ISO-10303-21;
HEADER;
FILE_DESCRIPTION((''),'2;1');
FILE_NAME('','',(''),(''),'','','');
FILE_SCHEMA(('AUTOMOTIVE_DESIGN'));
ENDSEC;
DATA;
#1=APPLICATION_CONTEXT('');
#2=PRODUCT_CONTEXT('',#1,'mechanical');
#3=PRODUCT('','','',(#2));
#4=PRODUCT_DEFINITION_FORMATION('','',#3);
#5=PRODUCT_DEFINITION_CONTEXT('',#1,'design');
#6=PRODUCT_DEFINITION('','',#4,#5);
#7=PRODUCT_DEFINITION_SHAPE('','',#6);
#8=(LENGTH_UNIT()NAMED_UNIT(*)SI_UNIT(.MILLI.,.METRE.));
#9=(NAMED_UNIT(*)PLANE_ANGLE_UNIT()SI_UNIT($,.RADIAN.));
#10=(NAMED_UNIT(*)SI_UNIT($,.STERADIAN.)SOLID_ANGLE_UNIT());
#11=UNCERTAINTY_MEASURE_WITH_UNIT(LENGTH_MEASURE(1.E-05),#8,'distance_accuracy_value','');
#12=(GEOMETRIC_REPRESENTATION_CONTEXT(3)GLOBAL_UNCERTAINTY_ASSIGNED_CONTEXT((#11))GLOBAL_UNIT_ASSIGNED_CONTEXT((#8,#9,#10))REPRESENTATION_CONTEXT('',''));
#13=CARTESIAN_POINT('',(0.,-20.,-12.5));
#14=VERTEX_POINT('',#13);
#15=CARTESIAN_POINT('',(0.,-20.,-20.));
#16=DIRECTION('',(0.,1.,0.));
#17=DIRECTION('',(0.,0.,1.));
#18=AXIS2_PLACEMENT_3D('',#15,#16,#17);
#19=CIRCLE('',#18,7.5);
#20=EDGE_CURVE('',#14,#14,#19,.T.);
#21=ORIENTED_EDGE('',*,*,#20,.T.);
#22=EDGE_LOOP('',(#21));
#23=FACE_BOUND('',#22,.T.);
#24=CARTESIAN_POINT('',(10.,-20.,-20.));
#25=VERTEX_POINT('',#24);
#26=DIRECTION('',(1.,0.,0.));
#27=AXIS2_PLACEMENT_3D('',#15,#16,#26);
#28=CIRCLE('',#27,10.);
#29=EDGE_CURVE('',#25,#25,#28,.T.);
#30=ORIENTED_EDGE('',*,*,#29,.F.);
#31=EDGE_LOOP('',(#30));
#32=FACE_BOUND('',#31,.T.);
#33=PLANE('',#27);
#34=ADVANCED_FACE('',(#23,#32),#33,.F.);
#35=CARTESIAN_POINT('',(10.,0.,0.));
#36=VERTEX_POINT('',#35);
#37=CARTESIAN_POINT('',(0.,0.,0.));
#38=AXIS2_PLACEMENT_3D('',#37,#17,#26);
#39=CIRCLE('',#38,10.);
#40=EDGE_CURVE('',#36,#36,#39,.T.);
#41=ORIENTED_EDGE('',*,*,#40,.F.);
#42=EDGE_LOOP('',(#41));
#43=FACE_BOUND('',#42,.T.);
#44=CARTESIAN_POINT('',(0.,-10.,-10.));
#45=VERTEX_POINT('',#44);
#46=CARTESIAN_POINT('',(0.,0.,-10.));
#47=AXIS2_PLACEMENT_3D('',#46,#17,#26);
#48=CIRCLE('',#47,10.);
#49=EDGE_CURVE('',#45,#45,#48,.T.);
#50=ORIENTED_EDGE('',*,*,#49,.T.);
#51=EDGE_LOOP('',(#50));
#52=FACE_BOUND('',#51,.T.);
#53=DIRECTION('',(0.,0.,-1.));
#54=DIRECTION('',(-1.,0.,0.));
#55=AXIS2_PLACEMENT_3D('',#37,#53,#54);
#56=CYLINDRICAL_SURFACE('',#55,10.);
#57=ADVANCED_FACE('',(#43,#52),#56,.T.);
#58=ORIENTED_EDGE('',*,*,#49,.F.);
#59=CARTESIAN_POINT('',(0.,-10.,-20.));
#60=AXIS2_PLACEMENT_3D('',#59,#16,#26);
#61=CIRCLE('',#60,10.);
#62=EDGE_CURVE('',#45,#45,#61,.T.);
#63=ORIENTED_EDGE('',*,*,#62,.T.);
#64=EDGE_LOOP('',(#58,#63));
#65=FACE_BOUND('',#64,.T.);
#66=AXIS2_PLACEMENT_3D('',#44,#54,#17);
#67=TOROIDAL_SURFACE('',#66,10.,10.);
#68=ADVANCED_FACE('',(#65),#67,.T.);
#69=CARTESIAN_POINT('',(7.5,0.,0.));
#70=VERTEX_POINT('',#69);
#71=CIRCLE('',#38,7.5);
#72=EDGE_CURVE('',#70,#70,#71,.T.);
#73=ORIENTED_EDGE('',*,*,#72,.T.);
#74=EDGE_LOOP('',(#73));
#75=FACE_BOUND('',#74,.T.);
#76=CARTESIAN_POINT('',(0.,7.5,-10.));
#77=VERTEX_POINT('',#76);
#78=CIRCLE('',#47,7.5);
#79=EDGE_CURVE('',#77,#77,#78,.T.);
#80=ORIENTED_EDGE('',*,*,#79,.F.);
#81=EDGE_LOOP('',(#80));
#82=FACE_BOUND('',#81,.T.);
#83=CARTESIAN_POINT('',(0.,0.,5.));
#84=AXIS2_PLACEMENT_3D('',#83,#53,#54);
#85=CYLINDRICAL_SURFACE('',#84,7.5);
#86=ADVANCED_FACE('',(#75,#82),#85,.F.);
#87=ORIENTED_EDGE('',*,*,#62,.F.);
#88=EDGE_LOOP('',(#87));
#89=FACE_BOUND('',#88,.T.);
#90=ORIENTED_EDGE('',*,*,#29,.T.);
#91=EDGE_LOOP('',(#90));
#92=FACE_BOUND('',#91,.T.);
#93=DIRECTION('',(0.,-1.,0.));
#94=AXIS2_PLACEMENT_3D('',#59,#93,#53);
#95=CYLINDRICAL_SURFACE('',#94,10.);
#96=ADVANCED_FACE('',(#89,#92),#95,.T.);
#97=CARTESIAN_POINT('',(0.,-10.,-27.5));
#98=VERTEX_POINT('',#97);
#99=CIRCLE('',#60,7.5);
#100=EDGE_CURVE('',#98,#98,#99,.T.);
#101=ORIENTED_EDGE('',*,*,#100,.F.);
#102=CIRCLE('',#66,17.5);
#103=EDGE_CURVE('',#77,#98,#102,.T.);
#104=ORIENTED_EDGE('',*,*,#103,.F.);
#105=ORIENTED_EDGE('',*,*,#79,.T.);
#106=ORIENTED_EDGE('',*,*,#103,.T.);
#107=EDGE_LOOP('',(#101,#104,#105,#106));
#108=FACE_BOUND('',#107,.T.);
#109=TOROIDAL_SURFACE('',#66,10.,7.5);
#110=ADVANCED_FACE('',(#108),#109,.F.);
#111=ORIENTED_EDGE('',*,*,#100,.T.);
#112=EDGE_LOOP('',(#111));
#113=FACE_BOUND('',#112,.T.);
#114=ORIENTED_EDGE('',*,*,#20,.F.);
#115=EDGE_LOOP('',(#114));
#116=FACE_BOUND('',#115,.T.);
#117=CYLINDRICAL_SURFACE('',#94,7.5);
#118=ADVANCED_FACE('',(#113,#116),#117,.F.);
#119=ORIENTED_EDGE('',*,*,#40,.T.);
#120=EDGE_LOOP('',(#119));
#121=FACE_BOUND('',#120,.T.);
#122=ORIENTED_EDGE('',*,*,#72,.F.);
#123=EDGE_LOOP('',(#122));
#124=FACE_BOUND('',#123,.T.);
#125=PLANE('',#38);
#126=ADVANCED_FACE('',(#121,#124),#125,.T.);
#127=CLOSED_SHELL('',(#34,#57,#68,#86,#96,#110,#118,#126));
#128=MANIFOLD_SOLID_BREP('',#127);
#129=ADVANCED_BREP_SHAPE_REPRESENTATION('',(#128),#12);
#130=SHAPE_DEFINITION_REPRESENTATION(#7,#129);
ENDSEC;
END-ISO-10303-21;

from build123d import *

# Parameters (mm, degrees)
SKETCH_1_R = 10
SKETCH_3_R = 7.5


with BuildPart() as part:
    # Sweep 1: sweep along a path in 草图2
    with BuildLine(Plane(origin=(0, 0, 0), x_dir=(0, 0, -1), z_dir=(1, 0, 0))) as sweep_1_path:
        Line((0, 0), (10, 0))
        ThreePointArc((10, 0), (17.071067812, -2.928932188), (20, -10))
        Line((20, -10), (20, -20))
    # 草图1 → Sweep 1 (sweep)
    with BuildSketch(Plane.XY):
        Circle(SKETCH_1_R)
    sweep(path=sweep_1_path.line)

    # Sweep 1 2: sweep along a path in 草图4
    with BuildLine(Plane(origin=(0, 0, 0), x_dir=(0, 0, -1), z_dir=(1, 0, 0))) as sweep_1_2_path:
        Line((0, 0), (10, 0))
        ThreePointArc((10, 0), (17.071067812, -2.928932188), (20, -10))
        Line((20, -10), (20, -20))
    # 草图3 → Sweep 1 2 (sweep, cut)
    with BuildSketch(Plane.XY):
        Circle(SKETCH_3_R)
    sweep(path=sweep_1_2_path.line, mode=Mode.SUBTRACT)


solid = part.part
